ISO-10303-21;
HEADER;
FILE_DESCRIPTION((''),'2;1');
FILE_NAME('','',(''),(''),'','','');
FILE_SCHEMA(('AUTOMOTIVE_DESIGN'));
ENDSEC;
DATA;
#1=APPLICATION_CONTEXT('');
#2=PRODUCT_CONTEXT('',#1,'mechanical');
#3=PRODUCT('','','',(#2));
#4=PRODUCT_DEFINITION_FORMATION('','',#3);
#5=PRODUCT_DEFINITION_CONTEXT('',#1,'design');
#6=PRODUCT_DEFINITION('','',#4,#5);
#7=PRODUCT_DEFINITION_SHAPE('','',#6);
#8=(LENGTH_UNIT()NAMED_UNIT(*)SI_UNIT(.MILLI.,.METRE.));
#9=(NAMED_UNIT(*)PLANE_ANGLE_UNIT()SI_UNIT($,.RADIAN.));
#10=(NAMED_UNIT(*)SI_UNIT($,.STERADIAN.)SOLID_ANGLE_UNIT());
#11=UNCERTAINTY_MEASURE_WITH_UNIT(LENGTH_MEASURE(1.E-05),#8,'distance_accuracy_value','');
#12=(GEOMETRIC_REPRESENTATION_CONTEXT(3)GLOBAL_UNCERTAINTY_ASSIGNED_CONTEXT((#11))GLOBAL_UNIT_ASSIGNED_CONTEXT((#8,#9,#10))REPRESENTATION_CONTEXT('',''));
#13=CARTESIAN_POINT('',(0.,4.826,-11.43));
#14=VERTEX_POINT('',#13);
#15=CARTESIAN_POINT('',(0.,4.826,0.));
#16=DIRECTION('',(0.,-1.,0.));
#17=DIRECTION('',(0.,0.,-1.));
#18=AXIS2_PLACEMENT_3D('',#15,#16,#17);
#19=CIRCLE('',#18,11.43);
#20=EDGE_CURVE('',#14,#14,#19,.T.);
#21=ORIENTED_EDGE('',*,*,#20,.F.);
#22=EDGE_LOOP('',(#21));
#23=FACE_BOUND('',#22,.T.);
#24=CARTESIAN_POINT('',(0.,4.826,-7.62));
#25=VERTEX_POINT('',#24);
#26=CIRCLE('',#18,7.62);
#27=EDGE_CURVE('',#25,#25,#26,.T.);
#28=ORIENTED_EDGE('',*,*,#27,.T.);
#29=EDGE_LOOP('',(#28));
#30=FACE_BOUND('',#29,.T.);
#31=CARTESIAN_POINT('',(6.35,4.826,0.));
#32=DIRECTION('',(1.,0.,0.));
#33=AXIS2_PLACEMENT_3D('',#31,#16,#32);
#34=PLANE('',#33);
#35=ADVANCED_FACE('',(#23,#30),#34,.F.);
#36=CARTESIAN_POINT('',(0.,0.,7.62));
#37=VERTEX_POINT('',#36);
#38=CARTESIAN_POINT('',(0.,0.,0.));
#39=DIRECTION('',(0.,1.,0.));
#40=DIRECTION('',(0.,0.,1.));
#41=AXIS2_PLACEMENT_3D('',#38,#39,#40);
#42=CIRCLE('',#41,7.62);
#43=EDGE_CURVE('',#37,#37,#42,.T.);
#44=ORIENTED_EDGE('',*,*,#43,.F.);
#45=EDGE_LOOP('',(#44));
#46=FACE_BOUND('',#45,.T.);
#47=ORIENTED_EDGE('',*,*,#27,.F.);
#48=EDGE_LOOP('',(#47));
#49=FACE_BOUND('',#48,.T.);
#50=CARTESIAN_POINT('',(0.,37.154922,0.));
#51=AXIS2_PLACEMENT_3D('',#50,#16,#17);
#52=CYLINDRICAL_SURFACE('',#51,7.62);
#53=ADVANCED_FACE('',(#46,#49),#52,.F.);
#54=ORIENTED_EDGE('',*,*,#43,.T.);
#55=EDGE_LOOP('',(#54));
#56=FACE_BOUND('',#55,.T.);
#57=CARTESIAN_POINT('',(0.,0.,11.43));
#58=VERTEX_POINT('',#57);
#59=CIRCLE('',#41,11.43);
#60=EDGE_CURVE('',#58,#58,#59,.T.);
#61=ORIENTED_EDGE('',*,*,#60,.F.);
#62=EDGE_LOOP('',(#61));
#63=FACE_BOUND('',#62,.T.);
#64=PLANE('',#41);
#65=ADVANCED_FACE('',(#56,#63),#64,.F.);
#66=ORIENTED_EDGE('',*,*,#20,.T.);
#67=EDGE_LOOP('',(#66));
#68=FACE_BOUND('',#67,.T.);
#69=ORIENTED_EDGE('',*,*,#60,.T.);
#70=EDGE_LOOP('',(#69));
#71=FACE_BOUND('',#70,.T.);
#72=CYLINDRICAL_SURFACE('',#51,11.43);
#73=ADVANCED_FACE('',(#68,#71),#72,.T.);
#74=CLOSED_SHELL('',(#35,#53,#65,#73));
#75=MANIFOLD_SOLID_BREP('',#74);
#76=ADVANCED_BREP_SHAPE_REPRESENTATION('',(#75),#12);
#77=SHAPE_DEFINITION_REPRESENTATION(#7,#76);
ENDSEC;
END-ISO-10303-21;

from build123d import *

# Parameters (mm, degrees)
SKETCH1_R           = 11.43
SKETCH1_R_2         = 7.62
BOSS_EXTRUDE1_DEPTH = 4.826


with BuildPart() as part:
    # Sketch1 → Boss-Extrude1 (new body)
    with BuildSketch(Plane(origin=(0, 0, 0), x_dir=(1, 0, 0), z_dir=(0, 1, 0))):
        with Locations(Location((0, 0, 0), (0, 0, 90))):
            Circle(SKETCH1_R)
        with Locations(Location((0, 0, 0), (0, 0, 90))):
            Circle(SKETCH1_R_2, mode=Mode.SUBTRACT)
    extrude(amount=BOSS_EXTRUDE1_DEPTH)


solid = part.part
